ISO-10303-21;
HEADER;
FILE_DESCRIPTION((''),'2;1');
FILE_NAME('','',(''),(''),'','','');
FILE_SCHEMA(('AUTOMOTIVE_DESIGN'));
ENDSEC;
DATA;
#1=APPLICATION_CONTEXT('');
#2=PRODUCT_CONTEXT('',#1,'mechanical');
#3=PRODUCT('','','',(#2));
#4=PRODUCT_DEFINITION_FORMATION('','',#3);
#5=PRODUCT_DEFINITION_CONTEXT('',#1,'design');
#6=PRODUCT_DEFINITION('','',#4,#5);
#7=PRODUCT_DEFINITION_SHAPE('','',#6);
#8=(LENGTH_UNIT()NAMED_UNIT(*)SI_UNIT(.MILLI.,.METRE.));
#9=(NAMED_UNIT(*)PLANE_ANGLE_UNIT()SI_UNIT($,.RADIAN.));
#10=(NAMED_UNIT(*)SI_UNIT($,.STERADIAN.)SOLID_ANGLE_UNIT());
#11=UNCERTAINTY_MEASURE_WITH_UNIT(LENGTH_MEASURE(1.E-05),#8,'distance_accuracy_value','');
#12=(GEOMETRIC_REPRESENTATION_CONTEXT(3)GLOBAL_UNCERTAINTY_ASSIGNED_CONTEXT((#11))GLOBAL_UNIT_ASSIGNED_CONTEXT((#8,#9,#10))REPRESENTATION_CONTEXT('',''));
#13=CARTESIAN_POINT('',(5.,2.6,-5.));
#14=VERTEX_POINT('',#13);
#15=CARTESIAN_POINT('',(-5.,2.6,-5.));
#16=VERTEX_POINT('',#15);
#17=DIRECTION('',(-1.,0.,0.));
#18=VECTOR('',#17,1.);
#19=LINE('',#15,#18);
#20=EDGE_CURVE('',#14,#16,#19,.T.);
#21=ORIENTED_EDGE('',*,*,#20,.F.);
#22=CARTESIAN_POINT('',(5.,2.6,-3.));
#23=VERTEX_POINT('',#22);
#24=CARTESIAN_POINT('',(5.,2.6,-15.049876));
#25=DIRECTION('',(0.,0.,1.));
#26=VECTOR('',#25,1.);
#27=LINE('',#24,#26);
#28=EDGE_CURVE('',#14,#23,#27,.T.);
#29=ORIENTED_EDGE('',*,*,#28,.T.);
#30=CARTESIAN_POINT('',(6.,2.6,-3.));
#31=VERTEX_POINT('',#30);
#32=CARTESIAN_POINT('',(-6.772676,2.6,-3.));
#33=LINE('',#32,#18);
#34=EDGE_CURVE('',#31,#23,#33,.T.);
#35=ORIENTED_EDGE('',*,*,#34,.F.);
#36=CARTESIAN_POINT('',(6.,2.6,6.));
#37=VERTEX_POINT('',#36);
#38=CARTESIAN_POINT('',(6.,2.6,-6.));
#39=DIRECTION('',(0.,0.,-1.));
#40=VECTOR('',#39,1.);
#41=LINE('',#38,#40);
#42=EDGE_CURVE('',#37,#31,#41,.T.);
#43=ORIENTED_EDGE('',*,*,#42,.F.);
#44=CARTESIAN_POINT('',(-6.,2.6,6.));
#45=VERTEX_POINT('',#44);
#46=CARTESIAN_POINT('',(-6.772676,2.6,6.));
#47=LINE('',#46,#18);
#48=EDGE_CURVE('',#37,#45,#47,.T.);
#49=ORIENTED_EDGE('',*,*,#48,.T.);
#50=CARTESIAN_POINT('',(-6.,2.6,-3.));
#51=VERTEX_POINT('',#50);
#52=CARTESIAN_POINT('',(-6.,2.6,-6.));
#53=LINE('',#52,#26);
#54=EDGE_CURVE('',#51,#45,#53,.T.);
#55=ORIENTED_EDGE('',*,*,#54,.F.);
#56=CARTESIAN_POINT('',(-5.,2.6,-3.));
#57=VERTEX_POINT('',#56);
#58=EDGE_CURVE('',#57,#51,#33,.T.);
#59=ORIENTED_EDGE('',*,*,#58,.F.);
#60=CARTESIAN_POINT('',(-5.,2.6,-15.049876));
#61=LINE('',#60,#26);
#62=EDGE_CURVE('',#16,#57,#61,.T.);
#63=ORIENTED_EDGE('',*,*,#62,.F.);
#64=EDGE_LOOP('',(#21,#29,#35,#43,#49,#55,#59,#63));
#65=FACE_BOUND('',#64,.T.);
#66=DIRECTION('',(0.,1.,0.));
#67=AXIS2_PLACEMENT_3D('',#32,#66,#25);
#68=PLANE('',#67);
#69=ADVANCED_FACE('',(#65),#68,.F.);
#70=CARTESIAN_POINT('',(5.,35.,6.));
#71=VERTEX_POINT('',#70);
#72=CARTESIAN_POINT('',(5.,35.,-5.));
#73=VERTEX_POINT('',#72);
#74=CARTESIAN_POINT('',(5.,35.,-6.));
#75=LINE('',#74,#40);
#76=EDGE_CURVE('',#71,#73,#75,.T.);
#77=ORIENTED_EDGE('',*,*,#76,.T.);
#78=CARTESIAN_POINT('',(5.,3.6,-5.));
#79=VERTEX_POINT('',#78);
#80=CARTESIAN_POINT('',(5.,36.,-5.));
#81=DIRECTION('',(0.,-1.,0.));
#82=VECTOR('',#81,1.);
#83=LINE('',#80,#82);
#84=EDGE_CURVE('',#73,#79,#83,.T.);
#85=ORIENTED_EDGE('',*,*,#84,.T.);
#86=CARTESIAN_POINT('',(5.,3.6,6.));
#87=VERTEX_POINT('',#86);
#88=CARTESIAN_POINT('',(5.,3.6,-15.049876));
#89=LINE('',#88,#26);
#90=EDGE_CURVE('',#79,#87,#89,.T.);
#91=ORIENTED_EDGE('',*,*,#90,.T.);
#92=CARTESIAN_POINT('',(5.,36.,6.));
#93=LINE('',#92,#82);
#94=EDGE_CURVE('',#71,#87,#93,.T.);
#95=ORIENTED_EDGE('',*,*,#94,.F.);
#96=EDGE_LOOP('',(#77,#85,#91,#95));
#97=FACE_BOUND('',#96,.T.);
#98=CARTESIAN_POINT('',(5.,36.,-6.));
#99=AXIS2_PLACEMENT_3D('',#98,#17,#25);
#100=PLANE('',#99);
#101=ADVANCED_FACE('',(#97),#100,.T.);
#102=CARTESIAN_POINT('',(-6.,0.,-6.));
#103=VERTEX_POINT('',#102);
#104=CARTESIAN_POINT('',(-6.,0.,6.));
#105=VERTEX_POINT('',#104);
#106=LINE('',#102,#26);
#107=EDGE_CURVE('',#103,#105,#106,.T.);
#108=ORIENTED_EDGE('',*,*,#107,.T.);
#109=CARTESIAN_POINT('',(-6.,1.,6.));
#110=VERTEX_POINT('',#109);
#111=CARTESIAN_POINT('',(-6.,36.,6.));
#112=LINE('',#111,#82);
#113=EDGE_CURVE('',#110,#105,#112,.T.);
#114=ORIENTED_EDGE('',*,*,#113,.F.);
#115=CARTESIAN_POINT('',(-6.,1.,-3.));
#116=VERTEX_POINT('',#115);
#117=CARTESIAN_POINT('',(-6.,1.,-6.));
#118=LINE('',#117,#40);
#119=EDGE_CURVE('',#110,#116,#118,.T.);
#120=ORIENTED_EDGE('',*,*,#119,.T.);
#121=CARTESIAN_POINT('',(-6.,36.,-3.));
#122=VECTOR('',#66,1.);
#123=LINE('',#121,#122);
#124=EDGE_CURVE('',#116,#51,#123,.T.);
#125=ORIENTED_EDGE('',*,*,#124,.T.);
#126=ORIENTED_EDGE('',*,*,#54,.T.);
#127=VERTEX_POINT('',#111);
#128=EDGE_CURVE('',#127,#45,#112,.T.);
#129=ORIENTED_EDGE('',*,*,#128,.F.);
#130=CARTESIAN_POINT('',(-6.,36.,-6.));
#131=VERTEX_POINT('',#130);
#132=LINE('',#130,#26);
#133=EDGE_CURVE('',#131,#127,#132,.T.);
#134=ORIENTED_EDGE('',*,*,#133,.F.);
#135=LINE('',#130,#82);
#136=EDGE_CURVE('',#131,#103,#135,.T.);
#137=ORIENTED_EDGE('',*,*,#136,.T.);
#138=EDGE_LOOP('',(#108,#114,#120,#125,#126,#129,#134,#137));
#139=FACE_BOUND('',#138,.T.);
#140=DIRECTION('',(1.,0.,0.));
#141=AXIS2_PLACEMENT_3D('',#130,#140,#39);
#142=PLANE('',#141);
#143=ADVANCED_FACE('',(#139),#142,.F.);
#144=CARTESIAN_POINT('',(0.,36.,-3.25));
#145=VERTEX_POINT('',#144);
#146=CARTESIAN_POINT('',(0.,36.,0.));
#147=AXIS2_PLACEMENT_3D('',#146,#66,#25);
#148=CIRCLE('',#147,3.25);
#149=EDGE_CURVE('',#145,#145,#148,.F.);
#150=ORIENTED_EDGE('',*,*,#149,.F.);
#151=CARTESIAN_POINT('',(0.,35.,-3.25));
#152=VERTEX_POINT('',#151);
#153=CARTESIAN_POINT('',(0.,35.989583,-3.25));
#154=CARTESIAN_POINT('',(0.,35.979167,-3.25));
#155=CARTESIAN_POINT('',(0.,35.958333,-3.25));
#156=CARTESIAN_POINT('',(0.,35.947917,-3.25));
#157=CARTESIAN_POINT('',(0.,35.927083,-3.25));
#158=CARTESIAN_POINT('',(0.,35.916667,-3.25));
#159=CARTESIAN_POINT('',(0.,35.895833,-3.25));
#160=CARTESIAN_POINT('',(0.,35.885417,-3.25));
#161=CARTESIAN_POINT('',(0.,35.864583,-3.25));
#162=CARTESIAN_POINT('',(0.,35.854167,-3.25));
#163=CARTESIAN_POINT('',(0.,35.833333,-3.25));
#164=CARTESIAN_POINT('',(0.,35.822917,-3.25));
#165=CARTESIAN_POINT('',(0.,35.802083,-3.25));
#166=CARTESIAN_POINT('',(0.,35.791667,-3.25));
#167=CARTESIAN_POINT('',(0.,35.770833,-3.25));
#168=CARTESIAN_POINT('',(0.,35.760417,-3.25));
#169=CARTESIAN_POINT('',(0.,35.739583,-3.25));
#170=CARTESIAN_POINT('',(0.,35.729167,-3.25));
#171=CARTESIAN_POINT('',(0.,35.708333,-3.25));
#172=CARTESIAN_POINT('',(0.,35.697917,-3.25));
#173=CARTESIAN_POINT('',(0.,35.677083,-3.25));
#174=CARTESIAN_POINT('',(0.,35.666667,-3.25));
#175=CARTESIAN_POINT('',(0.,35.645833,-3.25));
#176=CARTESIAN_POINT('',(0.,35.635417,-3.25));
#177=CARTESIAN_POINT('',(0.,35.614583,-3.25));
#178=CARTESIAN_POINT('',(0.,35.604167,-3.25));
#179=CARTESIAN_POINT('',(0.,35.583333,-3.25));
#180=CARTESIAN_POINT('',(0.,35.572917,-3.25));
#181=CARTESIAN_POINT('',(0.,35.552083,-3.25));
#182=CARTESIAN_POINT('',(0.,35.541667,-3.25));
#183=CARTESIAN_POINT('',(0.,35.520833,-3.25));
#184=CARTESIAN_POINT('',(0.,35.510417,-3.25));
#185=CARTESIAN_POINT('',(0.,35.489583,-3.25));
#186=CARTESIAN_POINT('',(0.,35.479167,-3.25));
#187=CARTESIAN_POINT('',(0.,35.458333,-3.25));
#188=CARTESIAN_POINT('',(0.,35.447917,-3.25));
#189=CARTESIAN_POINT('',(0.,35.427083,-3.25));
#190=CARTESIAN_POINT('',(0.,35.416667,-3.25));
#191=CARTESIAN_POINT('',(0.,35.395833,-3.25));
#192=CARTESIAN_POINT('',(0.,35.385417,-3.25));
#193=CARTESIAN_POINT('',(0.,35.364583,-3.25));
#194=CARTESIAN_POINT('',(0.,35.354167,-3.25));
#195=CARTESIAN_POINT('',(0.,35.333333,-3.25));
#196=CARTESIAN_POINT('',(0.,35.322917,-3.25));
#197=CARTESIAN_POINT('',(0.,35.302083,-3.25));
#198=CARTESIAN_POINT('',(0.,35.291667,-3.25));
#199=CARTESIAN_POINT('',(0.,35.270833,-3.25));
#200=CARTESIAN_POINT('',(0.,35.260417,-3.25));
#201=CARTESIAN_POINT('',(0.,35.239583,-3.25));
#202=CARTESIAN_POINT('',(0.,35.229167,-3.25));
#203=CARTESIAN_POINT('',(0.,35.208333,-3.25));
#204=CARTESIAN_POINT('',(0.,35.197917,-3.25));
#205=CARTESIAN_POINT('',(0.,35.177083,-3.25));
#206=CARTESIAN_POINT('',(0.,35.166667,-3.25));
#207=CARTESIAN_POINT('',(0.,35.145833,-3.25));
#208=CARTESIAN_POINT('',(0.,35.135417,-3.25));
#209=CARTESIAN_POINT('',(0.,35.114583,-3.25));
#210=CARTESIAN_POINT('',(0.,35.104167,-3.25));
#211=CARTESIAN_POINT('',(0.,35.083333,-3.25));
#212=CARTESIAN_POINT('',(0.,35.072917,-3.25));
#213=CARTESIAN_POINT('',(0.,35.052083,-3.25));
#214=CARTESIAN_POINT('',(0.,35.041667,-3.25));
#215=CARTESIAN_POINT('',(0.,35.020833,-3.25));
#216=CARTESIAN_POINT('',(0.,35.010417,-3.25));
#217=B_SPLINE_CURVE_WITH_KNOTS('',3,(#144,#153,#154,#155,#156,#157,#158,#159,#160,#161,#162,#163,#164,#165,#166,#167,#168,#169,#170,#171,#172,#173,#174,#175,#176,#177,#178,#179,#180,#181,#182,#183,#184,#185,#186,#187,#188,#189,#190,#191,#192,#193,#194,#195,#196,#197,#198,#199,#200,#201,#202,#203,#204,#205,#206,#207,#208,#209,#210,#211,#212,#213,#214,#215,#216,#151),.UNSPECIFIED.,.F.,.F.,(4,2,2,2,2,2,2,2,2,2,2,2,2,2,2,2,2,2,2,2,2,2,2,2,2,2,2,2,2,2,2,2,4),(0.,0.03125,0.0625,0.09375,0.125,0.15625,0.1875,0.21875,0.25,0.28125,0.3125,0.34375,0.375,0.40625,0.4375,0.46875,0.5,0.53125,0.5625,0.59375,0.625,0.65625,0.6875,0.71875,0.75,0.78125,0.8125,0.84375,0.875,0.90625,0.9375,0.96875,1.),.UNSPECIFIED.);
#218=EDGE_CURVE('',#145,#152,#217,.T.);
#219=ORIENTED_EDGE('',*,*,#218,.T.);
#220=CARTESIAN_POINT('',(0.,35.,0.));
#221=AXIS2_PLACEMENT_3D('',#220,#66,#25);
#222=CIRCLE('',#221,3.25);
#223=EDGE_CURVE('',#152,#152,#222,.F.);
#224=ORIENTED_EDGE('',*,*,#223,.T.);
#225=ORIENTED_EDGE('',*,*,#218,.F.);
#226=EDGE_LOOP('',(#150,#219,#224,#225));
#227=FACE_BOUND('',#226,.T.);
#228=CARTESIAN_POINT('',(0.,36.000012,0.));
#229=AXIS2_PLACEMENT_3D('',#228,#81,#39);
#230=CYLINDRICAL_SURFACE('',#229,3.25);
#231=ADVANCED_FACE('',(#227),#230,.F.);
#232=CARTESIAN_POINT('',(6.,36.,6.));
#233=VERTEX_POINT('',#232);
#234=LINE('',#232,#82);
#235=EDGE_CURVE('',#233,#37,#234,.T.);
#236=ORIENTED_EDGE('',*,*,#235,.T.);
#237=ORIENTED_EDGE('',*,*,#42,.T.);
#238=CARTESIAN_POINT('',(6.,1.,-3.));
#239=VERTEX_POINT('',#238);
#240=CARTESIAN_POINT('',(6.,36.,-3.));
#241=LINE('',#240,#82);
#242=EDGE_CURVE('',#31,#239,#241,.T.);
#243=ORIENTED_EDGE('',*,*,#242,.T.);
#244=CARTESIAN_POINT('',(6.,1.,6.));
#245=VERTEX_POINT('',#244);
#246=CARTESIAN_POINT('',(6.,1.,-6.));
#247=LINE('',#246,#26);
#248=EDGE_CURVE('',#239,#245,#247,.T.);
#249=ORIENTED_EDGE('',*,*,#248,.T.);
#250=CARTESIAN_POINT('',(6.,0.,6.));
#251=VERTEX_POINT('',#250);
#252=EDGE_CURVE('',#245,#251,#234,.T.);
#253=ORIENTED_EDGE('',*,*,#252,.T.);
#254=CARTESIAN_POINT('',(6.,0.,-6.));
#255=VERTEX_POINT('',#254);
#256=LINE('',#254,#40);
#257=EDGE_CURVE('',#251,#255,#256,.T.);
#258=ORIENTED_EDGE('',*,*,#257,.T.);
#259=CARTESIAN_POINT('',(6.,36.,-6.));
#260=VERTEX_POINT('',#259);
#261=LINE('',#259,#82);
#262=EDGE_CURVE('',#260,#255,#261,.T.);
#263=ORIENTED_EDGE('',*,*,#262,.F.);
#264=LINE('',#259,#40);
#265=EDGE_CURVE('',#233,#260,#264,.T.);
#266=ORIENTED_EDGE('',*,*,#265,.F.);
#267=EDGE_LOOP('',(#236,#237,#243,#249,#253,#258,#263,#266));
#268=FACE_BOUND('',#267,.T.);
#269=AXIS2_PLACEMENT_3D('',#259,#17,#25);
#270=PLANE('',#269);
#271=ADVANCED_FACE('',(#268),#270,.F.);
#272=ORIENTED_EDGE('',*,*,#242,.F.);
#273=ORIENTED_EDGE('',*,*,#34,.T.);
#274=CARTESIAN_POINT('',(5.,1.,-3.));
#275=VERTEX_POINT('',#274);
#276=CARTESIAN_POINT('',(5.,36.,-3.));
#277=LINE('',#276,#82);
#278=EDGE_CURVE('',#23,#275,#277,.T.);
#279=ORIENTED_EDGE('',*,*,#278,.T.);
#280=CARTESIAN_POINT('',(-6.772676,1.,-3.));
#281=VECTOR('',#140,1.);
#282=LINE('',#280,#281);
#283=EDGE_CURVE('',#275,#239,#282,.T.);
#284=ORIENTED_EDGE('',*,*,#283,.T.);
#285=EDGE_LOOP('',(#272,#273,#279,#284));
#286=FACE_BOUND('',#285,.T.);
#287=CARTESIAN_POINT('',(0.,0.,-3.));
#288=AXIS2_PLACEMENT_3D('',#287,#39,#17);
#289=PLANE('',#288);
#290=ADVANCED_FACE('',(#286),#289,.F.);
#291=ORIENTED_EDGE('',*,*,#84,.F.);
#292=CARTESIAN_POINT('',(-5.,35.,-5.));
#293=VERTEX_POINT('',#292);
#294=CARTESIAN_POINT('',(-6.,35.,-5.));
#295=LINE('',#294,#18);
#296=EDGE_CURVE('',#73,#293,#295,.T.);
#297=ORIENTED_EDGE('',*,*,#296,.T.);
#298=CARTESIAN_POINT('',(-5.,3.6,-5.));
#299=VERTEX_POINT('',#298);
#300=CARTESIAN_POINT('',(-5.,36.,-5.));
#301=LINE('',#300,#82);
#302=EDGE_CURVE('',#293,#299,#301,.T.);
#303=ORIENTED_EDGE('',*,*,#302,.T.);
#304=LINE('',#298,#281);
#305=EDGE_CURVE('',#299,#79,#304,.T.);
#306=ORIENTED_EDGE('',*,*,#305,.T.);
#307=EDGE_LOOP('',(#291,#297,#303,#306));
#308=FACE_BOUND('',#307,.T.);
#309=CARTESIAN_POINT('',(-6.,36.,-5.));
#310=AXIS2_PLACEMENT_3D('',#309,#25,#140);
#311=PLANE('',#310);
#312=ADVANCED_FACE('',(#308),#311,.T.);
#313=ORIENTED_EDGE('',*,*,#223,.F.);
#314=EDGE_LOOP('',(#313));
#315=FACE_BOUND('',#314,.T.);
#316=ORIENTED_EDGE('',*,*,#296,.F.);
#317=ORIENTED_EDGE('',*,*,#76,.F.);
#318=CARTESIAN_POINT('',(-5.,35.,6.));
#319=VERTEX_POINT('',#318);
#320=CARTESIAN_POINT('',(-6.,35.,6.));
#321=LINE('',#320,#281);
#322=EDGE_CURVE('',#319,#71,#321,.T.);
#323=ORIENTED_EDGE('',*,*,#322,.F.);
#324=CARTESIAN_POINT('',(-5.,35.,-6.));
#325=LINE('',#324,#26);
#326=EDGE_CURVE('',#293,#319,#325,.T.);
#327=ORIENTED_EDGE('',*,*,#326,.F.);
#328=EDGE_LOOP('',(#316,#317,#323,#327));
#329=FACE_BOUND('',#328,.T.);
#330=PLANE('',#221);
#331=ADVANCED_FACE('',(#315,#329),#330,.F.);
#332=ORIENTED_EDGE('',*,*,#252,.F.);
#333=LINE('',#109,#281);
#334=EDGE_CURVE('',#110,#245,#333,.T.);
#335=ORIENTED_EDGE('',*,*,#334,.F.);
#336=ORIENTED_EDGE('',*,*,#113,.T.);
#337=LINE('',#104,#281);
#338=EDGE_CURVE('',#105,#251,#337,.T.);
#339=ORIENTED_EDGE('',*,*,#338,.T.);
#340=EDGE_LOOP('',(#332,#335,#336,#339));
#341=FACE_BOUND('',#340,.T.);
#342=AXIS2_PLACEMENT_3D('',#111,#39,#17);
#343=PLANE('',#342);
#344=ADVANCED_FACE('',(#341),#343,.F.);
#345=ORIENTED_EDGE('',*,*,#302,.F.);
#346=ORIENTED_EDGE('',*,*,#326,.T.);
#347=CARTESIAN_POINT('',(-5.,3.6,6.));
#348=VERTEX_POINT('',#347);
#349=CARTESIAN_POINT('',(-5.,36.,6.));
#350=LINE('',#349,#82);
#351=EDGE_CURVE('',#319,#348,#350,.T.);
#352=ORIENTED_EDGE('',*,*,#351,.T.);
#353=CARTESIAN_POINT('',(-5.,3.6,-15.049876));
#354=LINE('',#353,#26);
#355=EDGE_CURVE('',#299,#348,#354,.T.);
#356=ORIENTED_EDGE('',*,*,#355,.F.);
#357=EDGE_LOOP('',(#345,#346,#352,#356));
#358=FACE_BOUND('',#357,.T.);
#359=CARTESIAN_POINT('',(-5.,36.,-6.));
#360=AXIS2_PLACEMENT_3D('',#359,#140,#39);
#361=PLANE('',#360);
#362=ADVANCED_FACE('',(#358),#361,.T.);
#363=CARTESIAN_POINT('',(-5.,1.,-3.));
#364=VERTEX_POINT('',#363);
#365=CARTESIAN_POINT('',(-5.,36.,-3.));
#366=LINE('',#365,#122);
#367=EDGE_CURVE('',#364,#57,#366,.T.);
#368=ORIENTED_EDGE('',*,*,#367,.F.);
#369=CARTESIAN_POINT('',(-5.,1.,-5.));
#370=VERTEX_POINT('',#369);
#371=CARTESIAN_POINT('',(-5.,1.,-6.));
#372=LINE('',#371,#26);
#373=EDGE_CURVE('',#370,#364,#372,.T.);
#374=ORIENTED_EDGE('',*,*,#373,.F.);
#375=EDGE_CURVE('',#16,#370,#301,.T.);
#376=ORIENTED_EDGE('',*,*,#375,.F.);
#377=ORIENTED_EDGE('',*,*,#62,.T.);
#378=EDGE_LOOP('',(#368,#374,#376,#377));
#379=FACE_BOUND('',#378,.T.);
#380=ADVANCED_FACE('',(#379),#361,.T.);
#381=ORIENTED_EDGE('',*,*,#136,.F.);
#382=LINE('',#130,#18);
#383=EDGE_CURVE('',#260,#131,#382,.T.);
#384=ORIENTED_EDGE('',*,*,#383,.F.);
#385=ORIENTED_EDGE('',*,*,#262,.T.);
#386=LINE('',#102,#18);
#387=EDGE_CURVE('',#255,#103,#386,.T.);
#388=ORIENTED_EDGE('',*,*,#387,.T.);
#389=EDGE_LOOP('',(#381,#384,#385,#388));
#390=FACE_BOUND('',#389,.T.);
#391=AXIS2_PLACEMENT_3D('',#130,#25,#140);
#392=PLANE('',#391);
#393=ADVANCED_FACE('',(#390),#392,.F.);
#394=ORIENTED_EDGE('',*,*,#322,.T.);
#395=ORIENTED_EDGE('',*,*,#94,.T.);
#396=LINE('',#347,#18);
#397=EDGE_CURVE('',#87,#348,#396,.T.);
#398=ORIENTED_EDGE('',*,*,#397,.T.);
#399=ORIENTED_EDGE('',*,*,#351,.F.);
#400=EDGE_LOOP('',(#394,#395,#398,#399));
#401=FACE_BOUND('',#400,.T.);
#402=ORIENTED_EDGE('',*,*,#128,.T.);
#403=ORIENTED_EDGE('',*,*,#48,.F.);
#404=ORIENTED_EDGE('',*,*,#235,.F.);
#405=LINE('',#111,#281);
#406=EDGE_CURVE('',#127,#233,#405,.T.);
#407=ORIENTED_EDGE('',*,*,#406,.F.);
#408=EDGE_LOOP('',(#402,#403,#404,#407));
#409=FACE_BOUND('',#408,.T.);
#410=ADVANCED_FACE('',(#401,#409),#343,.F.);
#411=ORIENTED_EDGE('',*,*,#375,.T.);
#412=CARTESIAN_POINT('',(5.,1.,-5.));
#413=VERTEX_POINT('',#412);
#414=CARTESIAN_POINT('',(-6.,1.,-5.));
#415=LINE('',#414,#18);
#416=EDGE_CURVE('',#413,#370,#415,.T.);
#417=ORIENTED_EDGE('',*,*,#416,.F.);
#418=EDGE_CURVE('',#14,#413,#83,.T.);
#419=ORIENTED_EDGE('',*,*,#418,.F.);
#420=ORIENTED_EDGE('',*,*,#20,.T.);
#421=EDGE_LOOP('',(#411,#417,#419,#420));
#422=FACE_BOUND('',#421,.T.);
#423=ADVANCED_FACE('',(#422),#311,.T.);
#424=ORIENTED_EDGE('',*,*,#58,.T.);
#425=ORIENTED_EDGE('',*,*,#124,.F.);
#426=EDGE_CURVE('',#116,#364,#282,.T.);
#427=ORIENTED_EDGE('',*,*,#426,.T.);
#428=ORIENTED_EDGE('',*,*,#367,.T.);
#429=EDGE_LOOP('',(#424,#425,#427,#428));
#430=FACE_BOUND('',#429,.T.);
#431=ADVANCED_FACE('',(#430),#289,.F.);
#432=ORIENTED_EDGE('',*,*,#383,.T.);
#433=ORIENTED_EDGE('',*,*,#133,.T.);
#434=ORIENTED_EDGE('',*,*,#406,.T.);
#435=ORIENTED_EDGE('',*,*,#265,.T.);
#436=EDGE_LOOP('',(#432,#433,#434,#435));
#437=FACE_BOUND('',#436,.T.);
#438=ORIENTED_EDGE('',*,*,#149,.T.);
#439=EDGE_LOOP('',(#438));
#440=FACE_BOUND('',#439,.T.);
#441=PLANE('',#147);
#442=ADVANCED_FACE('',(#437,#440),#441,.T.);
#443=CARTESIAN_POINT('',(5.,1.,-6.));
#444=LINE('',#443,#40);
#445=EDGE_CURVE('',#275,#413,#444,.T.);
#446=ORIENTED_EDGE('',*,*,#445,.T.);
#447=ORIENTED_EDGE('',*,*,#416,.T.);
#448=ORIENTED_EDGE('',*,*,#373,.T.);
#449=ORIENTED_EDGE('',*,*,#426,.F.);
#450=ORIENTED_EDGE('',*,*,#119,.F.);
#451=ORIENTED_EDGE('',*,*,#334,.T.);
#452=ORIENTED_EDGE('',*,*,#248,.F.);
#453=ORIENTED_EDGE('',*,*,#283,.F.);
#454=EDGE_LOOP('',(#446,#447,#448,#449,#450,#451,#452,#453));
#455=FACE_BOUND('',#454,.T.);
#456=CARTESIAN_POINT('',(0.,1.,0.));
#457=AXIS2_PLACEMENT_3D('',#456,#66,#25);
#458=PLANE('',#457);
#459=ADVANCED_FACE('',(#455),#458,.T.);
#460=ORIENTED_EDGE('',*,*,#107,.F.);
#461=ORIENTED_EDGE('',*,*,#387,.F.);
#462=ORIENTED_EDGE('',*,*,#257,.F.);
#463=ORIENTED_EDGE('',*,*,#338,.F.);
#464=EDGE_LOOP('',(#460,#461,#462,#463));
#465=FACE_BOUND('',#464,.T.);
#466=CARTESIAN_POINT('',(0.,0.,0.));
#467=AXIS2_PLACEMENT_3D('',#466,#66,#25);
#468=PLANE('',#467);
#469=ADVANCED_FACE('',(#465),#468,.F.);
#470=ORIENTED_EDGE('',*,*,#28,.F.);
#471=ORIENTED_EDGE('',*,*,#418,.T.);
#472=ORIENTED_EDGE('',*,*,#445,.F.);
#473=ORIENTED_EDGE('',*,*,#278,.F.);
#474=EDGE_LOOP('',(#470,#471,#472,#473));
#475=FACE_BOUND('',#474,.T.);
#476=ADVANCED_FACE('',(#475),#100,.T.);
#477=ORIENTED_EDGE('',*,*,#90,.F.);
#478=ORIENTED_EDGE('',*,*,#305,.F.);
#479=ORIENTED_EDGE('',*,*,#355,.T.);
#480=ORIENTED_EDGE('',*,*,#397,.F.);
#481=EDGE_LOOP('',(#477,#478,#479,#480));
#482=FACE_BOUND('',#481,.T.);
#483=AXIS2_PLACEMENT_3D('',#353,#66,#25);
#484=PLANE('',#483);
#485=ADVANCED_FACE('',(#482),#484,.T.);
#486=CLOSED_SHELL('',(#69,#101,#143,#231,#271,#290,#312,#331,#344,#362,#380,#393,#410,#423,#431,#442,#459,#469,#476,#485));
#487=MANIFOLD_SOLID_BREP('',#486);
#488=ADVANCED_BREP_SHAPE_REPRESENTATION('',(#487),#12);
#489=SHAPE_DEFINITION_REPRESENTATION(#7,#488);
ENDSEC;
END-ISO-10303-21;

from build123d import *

# Parameters (mm, degrees)
CROQUIS1_W                 = 12
CROQUIS1_H                 = 12
SALIENTE_EXTRUIR1_DEPTH    = 36
VACIADO1_T                 = -1
CORTAR_EXTRUIR1_DEPTH      = 37.986484018
CORTAR_EXTRUIR1_DEPTH_BACK = 3
CROQUIS2_R                 = 3.25
CROQUIS3_W                 = 13.652855543
CROQUIS3_H                 = 1.6
CORTAR_EXTRUIR2_DEPTH      = 9
CROQUIS4_W                 = 10
CROQUIS4_H                 = 1
SALIENTE_EXTRUIR2_DEPTH    = 11


with BuildPart() as part:
    # Croquis1 → Saliente-Extruir1 (new body)
    with BuildSketch(Plane(origin=(0, 0, 0), x_dir=(1, 0, 0), z_dir=(0, 1, 0))):
        Rectangle(CROQUIS1_W, CROQUIS1_H)
    extrude(amount=SALIENTE_EXTRUIR1_DEPTH)

    # Vaciado1
    vaciado1_openings = [part.faces().sort_by_distance(p)[0] for p in [
        (0, 18, 6),
    ]]
    offset(amount=VACIADO1_T, openings=vaciado1_openings, kind=Kind.INTERSECTION)

    # Croquis2 → Cortar-Extruir1 (cut, two sides: drawn at the far end of the back side and taken through both)
    with BuildSketch(Plane(origin=(0, 36, 0), x_dir=(1, 0, 0), z_dir=(0, 1, 0)).offset(-CORTAR_EXTRUIR1_DEPTH_BACK)):
        with Locations(Location((0, 0, 0), (0, 0, 90))):
            Circle(CROQUIS2_R)
    extrude(amount=CORTAR_EXTRUIR1_DEPTH + CORTAR_EXTRUIR1_DEPTH_BACK, mode=Mode.SUBTRACT)

    # Croquis3 → Cortar-Extruir2 (cut)
    with BuildSketch(Plane.XY.offset(6)):
        with Locations((0.0537514, 1.8)):
            Rectangle(CROQUIS3_W, CROQUIS3_H)
    extrude(amount=-CORTAR_EXTRUIR2_DEPTH, mode=Mode.SUBTRACT)

    # Croquis4 → Saliente-Extruir2 (add)
    with BuildSketch(Plane.XY.offset(6)):
        with Locations((0, 3.1)):
            Rectangle(CROQUIS4_W, CROQUIS4_H)
    extrude(amount=-SALIENTE_EXTRUIR2_DEPTH)


solid = part.part
